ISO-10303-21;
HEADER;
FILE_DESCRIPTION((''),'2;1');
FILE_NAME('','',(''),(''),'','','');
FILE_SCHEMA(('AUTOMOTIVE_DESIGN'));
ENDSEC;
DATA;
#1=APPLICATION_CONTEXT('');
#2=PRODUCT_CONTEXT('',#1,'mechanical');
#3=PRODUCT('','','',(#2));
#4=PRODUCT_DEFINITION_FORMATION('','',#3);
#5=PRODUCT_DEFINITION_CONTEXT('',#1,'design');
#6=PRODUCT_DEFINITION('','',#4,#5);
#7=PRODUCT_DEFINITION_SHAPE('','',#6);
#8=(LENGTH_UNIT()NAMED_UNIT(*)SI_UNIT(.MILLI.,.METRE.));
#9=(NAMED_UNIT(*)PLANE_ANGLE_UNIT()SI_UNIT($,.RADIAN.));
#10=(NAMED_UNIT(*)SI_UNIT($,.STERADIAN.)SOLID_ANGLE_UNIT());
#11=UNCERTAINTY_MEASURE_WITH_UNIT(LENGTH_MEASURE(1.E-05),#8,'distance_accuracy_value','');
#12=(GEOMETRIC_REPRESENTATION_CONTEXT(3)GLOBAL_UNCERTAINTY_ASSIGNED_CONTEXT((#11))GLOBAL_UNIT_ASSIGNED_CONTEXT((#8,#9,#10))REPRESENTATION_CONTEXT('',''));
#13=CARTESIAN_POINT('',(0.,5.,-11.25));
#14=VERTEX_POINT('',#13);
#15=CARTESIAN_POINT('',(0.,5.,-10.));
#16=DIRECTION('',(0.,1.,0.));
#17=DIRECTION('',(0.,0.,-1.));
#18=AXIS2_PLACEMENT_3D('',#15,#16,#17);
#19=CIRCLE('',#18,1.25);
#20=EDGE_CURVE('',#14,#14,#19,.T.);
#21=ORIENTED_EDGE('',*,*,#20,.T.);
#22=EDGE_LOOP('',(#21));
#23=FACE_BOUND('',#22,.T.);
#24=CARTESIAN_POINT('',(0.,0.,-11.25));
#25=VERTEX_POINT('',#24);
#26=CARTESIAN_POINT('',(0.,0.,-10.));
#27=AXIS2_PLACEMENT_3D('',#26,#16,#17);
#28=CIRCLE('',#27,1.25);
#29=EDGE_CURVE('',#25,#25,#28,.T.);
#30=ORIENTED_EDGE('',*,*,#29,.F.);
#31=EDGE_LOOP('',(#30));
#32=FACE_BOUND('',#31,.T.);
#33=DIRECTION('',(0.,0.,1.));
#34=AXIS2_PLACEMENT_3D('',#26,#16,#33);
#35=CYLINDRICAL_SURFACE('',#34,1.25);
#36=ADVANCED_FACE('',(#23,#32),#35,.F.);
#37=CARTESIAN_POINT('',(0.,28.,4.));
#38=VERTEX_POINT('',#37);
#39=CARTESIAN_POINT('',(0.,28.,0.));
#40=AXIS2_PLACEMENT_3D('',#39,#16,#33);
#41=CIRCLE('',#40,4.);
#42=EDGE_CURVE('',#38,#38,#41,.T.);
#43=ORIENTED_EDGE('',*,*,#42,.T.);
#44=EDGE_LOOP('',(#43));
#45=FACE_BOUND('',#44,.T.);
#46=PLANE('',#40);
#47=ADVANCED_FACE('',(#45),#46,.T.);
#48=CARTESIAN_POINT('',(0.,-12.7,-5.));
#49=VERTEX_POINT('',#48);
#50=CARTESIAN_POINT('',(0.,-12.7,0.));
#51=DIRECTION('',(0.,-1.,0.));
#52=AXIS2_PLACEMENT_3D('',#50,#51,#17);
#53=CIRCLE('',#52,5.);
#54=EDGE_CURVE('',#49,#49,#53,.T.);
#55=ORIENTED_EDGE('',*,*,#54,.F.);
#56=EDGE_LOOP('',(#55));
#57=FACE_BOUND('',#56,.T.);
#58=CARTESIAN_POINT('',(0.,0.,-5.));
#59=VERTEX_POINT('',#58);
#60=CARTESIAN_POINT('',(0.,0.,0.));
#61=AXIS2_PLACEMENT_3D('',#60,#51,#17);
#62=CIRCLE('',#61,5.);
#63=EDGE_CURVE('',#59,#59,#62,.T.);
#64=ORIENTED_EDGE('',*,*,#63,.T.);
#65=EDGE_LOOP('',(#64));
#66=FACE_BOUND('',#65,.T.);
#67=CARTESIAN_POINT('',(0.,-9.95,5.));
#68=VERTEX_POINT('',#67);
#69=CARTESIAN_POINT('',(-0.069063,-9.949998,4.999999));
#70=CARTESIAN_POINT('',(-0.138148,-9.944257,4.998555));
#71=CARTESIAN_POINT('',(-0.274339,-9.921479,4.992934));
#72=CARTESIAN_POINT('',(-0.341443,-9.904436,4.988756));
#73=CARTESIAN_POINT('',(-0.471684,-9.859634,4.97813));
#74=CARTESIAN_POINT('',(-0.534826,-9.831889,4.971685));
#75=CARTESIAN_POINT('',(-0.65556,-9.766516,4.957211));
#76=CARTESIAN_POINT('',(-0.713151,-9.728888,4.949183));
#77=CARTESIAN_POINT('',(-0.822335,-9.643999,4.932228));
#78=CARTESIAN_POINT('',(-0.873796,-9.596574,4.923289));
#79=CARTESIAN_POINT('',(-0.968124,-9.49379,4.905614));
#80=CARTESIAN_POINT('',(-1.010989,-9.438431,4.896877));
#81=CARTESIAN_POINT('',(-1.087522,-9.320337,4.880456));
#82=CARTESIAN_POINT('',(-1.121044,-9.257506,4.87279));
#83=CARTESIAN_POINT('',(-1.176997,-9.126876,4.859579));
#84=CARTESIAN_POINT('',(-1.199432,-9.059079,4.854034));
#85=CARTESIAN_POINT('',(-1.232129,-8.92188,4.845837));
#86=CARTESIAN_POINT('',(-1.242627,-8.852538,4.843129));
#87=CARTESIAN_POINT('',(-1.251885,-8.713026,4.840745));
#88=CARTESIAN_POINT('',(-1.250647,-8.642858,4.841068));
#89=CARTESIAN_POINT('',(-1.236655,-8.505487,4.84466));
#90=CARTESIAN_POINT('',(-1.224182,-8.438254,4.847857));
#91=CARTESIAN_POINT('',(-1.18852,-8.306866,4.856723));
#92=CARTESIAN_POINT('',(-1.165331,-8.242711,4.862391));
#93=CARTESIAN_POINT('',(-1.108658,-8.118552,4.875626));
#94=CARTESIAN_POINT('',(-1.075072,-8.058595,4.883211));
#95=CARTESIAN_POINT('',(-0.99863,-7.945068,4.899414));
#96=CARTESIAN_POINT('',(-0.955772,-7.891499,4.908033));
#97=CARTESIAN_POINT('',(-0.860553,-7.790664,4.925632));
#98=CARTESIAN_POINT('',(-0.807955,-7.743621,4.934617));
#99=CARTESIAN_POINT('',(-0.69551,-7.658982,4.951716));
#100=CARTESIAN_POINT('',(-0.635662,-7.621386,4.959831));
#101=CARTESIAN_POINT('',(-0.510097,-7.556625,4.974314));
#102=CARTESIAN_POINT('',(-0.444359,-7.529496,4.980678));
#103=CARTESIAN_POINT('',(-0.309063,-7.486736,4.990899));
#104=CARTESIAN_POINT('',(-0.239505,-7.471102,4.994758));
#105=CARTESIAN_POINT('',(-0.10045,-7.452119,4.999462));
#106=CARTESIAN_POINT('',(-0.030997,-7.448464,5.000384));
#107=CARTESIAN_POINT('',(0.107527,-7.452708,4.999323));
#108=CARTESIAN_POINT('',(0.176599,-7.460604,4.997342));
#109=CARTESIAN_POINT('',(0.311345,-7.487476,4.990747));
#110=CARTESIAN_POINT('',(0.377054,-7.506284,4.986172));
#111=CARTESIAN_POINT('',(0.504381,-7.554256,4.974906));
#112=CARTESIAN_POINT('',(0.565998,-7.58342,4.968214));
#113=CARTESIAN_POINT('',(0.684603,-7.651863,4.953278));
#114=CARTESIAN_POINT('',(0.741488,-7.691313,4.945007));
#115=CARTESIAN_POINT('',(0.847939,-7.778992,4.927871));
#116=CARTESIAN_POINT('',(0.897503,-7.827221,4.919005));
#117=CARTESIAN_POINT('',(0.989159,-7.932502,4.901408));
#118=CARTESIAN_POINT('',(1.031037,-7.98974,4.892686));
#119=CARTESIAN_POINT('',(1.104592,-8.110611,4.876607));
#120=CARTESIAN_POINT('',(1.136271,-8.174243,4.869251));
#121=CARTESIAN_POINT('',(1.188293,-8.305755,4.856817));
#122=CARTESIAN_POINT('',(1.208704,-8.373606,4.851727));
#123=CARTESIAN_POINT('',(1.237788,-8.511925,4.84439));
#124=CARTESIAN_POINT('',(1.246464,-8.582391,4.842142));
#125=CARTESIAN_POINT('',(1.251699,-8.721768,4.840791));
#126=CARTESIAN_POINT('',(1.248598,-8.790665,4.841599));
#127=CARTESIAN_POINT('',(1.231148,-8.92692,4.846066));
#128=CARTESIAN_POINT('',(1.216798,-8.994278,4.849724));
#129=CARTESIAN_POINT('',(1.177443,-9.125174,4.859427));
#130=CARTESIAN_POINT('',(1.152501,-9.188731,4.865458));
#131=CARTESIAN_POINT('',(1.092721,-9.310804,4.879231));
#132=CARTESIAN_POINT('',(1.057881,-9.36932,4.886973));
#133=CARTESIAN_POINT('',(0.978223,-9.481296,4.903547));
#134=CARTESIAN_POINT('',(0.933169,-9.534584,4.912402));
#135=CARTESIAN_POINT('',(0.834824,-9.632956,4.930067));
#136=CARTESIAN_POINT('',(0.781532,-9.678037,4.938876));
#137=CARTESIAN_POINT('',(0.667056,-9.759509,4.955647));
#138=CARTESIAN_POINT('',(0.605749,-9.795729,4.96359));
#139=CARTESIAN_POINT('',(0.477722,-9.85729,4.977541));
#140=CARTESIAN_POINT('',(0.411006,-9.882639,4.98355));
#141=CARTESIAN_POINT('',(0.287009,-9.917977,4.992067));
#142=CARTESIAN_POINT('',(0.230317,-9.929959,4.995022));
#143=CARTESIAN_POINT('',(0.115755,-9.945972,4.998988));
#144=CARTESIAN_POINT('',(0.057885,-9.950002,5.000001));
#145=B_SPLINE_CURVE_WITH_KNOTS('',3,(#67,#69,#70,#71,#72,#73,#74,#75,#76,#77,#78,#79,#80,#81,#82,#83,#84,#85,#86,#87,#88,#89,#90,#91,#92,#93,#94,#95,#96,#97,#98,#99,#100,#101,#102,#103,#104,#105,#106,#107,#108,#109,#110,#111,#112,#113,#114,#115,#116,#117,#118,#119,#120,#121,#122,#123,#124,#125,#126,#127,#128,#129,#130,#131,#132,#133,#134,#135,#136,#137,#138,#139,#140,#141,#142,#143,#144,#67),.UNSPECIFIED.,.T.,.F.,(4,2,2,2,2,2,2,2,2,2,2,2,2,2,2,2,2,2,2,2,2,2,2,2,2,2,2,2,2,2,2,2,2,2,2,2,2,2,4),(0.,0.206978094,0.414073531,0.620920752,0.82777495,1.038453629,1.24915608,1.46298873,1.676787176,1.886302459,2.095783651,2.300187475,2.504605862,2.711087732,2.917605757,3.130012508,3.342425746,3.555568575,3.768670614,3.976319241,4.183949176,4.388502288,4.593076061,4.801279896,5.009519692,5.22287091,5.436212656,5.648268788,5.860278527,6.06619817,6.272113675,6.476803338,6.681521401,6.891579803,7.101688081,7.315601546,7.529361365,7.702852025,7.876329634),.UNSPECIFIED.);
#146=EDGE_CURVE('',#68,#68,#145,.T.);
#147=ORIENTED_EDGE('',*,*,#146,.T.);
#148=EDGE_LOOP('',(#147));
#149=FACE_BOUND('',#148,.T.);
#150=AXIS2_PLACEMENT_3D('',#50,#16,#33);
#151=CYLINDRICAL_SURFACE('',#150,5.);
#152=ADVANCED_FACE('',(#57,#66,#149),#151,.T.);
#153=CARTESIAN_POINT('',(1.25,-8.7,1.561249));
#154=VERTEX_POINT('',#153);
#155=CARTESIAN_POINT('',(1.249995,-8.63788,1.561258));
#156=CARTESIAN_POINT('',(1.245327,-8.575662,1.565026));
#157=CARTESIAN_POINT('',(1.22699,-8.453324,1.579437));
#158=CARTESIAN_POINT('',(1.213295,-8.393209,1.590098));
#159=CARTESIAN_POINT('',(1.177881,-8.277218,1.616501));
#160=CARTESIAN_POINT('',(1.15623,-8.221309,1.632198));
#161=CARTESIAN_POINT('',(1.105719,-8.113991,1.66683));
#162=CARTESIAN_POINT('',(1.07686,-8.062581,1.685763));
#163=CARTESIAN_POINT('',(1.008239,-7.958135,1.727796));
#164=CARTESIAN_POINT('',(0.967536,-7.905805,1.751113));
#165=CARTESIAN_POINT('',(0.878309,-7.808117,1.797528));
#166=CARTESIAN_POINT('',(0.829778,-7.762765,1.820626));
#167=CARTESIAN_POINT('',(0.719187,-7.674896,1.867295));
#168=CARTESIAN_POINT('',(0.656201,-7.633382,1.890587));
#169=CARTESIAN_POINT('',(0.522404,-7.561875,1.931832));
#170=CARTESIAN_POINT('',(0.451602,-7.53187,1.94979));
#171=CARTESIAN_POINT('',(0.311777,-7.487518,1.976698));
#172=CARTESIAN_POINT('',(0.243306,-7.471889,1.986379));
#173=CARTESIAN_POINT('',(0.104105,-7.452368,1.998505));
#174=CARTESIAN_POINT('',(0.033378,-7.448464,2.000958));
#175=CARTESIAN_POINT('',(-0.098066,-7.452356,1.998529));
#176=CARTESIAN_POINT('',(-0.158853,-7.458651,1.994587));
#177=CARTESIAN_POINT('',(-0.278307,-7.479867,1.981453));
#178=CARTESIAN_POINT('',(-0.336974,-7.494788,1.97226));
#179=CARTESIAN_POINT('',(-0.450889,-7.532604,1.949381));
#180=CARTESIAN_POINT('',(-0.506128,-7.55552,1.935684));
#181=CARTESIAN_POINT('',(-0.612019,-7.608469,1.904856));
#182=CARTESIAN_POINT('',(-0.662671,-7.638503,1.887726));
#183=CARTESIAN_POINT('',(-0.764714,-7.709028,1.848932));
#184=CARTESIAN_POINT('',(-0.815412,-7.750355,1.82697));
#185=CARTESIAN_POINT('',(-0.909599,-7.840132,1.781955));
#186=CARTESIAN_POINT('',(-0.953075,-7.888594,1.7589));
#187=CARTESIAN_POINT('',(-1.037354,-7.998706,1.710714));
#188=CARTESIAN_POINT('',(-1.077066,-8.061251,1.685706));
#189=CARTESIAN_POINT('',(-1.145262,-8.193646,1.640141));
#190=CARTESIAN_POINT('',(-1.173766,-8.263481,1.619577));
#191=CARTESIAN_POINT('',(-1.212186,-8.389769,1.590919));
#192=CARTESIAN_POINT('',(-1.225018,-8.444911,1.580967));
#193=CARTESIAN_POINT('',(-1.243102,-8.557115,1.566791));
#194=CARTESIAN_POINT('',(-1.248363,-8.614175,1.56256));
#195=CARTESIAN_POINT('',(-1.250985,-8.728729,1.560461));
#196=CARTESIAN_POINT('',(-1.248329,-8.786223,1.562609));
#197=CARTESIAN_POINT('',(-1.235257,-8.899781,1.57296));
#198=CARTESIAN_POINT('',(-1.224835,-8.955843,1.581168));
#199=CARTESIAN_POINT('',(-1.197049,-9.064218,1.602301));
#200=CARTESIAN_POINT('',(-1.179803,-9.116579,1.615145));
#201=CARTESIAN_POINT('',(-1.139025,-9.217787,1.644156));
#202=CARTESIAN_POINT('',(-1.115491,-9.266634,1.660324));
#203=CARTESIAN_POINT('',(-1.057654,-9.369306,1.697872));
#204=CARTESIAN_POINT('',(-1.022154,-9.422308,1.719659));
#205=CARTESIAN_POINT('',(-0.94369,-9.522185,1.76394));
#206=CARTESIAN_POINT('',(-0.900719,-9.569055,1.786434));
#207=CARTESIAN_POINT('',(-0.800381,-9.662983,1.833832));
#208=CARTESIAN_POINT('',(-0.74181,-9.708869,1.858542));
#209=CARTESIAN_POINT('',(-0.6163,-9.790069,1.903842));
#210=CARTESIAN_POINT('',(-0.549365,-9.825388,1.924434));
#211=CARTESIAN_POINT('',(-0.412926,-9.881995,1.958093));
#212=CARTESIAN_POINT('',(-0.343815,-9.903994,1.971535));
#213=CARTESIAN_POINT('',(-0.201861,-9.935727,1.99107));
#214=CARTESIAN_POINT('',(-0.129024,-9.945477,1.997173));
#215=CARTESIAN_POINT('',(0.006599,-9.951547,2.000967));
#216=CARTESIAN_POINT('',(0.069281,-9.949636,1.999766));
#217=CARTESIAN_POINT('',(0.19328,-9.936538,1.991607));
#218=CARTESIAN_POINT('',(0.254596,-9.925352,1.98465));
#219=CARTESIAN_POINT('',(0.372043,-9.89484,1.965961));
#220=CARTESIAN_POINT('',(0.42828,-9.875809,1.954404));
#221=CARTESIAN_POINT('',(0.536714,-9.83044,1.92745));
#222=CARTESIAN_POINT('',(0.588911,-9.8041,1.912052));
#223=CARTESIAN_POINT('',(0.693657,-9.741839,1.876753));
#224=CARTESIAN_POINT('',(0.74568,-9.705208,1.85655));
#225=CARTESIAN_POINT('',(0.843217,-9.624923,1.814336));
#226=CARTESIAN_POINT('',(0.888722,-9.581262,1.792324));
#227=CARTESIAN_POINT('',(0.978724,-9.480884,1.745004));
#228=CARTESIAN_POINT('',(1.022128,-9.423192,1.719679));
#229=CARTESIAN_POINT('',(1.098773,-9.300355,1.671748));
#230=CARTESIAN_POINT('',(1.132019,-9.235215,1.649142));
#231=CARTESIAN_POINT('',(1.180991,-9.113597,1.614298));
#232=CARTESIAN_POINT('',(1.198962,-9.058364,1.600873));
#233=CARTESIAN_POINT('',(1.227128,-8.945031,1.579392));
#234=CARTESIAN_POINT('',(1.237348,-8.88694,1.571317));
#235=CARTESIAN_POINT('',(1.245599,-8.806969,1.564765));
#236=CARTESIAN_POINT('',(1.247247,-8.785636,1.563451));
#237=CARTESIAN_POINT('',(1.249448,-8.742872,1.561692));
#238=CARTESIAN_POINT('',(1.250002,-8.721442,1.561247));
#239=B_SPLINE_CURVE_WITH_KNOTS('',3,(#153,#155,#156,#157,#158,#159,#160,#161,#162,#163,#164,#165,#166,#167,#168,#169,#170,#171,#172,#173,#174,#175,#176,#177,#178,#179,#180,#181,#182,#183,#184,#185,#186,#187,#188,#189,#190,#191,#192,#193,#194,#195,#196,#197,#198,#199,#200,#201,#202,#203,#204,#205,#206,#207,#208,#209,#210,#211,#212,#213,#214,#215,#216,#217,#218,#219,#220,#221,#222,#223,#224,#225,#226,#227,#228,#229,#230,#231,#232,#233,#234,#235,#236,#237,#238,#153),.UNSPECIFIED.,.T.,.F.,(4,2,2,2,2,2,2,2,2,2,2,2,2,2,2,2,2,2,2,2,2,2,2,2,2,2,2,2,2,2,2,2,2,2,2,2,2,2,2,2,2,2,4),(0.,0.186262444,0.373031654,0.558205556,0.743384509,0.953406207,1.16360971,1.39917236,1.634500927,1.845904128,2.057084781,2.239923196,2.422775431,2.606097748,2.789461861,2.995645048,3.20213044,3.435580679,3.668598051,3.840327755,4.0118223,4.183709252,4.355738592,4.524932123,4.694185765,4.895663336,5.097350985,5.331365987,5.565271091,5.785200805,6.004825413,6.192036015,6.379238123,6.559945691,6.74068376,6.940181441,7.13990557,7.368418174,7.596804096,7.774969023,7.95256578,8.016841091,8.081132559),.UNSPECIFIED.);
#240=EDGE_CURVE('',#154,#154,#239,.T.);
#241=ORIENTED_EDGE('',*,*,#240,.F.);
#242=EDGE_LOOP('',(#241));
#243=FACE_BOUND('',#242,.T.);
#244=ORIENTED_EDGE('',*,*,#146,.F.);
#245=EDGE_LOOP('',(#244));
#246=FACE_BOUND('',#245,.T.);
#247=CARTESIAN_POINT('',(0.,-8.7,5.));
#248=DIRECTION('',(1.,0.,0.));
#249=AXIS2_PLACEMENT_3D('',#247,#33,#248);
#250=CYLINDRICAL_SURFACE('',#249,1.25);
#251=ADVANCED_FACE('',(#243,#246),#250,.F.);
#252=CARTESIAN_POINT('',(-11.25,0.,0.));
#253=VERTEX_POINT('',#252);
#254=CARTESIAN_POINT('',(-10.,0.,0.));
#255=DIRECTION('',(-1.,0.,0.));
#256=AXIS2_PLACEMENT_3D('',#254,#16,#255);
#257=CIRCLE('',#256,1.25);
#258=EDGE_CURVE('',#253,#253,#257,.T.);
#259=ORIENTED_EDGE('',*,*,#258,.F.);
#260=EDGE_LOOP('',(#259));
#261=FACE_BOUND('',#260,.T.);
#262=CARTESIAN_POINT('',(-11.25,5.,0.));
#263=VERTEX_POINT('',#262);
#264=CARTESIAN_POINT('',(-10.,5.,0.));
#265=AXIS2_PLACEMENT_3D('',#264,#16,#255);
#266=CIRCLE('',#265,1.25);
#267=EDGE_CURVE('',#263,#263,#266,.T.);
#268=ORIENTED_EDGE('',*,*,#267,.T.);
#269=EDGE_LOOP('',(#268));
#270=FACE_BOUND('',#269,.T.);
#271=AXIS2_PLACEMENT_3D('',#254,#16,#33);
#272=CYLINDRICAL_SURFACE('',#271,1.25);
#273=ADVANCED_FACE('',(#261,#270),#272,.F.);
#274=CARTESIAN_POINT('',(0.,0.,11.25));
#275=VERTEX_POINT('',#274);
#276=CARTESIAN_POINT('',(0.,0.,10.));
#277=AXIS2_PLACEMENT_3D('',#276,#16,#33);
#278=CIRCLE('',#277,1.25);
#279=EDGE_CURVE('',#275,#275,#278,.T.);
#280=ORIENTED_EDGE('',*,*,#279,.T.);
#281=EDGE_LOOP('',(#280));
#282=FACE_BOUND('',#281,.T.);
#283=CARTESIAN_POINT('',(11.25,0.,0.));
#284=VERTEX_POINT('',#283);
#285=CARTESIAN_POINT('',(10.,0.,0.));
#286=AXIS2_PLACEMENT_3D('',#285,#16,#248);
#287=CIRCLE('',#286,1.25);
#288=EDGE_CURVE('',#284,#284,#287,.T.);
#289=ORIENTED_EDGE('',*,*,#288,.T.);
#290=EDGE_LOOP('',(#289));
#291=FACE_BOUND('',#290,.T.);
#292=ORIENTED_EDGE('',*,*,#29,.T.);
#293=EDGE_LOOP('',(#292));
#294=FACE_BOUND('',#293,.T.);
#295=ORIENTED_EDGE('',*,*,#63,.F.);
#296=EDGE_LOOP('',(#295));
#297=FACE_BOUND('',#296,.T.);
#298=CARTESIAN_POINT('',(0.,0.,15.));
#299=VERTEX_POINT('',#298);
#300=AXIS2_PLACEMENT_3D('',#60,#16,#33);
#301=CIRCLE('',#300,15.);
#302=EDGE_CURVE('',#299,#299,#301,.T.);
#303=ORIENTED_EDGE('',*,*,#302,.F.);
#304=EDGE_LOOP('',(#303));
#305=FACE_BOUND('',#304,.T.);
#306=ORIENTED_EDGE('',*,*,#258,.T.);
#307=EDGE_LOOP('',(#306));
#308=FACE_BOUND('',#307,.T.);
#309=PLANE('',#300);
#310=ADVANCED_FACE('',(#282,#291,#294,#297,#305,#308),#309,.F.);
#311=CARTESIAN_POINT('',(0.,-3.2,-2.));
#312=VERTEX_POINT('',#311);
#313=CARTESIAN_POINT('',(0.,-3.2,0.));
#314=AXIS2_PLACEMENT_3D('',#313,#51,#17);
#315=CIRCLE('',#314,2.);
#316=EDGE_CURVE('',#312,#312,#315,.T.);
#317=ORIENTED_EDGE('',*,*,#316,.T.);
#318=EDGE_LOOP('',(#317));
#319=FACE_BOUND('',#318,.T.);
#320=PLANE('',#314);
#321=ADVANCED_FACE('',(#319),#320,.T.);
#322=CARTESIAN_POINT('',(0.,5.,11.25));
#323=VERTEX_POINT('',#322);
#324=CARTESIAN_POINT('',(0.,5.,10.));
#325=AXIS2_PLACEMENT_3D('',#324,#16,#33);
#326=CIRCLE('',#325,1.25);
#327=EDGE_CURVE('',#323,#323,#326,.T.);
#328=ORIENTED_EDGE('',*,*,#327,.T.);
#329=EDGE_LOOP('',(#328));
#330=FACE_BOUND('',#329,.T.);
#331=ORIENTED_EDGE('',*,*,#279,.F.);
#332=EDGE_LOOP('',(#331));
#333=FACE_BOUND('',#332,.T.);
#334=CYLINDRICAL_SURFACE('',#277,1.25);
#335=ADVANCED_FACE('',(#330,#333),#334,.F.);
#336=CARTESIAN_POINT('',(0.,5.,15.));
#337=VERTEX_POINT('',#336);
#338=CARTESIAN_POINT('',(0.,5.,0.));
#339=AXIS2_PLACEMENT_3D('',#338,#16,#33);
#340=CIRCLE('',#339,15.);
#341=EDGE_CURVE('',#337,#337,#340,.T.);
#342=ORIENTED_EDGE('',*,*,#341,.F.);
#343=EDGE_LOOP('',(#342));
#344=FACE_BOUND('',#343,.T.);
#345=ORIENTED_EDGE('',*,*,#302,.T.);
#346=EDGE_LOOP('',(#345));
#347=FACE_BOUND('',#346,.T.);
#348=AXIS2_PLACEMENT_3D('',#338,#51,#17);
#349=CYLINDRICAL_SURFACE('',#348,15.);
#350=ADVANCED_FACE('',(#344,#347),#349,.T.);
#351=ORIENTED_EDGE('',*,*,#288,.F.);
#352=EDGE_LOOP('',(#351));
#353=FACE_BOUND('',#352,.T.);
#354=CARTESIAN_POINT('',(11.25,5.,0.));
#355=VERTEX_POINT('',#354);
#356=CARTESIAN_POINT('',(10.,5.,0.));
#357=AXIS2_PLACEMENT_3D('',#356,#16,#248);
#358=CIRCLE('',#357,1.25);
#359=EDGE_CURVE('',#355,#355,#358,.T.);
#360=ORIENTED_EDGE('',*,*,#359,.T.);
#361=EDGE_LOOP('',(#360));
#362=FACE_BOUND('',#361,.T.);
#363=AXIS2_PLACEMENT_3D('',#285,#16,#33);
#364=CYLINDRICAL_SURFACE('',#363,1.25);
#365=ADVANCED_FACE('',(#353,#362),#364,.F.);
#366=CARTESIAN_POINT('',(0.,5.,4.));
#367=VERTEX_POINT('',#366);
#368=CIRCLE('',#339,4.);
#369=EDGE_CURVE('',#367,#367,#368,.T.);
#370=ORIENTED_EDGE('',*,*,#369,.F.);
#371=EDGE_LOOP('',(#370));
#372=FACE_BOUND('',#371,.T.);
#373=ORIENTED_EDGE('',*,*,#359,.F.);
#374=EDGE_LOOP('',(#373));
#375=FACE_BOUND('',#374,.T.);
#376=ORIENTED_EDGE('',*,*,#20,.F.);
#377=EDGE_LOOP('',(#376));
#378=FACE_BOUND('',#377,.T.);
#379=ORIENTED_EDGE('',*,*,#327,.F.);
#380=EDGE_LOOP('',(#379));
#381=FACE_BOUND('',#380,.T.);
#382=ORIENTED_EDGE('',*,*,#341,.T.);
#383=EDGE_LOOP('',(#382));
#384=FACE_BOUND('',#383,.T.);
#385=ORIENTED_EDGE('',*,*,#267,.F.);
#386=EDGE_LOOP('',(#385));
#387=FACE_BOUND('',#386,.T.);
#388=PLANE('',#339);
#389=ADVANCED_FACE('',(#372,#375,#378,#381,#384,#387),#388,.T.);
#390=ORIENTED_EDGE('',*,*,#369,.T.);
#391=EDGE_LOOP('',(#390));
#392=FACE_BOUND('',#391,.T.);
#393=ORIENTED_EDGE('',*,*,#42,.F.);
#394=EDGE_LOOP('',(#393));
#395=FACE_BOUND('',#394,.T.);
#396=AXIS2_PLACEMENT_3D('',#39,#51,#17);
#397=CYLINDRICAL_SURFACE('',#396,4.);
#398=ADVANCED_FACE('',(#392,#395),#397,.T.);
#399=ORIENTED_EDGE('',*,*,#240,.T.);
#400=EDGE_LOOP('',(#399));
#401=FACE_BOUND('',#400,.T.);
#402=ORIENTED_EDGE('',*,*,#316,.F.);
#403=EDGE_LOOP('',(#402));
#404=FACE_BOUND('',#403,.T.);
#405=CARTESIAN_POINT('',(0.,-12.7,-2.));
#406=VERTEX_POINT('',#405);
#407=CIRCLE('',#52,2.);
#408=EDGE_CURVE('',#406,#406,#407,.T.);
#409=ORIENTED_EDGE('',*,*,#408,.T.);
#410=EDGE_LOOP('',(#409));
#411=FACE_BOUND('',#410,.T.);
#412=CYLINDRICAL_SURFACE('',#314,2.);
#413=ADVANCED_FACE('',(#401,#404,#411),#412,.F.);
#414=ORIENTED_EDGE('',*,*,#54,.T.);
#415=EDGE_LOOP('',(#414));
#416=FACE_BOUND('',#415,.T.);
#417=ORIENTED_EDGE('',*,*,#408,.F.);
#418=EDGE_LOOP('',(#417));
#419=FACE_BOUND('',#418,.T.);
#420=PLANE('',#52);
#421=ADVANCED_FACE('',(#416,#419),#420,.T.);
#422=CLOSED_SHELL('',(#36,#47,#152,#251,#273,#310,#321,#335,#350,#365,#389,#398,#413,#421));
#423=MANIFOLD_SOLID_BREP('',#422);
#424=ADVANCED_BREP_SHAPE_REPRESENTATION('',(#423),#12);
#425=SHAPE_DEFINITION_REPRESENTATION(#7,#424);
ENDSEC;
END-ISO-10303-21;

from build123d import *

# Parameters (mm, degrees)
SKETCH1_R                 = 15
BOSS_EXTRUDE1_DEPTH       = 5
SKETCH2_R                 = 5
BOSS_EXTRUDE2_DEPTH       = 12.7
SKETCH3_R                 = 2
CUT_EXTRUDE1_DEPTH        = 9.5
SKETCH5_R                 = 1.25
CUT_EXTRUDE2_DEPTH        = 5
CIRPATTERN1_COUNT         = 4
M3X0_5_TAPPED_HOLE1_D     = 2.5
M3X0_5_TAPPED_HOLE2_D     = 2.5
M3X0_5_TAPPED_HOLE2_DEPTH = 4.999
M3X0_5_TAPPED_HOLE2_TIP   = 0.751075774
SKETCH12_R                = 4
BOSS_EXTRUDE3_DEPTH       = 23


with BuildPart() as part:
    # Sketch1 → Boss-Extrude1 (new body)
    with BuildSketch(Plane(origin=(0, 0, 0), x_dir=(1, 0, 0), z_dir=(0, 1, 0))):
        Circle(SKETCH1_R)
    extrude(amount=BOSS_EXTRUDE1_DEPTH)

    # Sketch2 → Boss-Extrude2 (add)
    with BuildSketch(Plane.XZ):
        Circle(SKETCH2_R)
    extrude(amount=BOSS_EXTRUDE2_DEPTH)

    # Sketch3 → Cut-Extrude1 (cut)
    with BuildSketch(Plane.XZ.offset(12.7)):
        Circle(SKETCH3_R)
    extrude(amount=-CUT_EXTRUDE1_DEPTH, mode=Mode.SUBTRACT)

    # Sketch5 → Cut-Extrude2 (cut)
    with BuildSketch(Plane(origin=(0, 5, 0), x_dir=(1, 0, 0), z_dir=(0, 1, 0))):
        with Locations((0, -10)):
            Circle(SKETCH5_R)
    cut_extrude2 = extrude(amount=-CUT_EXTRUDE2_DEPTH, mode=Mode.SUBTRACT)

    # CirPattern1: Cut-Extrude2 ×4 about axis
    cirpattern1_axis = Axis((0, 0, 0), (0, 1, 0))
    for i in range(1, CIRPATTERN1_COUNT):
        add(cut_extrude2.rotate(cirpattern1_axis, i * 360 / CIRPATTERN1_COUNT), mode=Mode.SUBTRACT)

    # M3x0.5 Tapped Hole1 (through all)
    with Locations(Plane(origin=(0, 5, 0), x_dir=(1, 0, 0), z_dir=(0, 1, 0))):
        with Locations((-10, 0), (0, -10), (10, 0), (0, 10)):
            Hole(M3X0_5_TAPPED_HOLE1_D / 2)

    # M3x0.5 Tapped Hole2
    with Locations(Plane.XY.offset(5)):
        with Locations((0, -8.7)):
            Hole(M3X0_5_TAPPED_HOLE2_D / 2, depth=M3X0_5_TAPPED_HOLE2_DEPTH)
            with Locations((0, 0, -(M3X0_5_TAPPED_HOLE2_DEPTH + M3X0_5_TAPPED_HOLE2_TIP / 2))):  # 118° drill point
                Cone(0, M3X0_5_TAPPED_HOLE2_D / 2, M3X0_5_TAPPED_HOLE2_TIP, mode=Mode.SUBTRACT)

    # Sketch12 → Boss-Extrude3 (add)
    with BuildSketch(Plane(origin=(0, 5, 0), x_dir=(1, 0, 0), z_dir=(0, 1, 0))):
        Circle(SKETCH12_R)
    extrude(amount=BOSS_EXTRUDE3_DEPTH)


solid = part.part
